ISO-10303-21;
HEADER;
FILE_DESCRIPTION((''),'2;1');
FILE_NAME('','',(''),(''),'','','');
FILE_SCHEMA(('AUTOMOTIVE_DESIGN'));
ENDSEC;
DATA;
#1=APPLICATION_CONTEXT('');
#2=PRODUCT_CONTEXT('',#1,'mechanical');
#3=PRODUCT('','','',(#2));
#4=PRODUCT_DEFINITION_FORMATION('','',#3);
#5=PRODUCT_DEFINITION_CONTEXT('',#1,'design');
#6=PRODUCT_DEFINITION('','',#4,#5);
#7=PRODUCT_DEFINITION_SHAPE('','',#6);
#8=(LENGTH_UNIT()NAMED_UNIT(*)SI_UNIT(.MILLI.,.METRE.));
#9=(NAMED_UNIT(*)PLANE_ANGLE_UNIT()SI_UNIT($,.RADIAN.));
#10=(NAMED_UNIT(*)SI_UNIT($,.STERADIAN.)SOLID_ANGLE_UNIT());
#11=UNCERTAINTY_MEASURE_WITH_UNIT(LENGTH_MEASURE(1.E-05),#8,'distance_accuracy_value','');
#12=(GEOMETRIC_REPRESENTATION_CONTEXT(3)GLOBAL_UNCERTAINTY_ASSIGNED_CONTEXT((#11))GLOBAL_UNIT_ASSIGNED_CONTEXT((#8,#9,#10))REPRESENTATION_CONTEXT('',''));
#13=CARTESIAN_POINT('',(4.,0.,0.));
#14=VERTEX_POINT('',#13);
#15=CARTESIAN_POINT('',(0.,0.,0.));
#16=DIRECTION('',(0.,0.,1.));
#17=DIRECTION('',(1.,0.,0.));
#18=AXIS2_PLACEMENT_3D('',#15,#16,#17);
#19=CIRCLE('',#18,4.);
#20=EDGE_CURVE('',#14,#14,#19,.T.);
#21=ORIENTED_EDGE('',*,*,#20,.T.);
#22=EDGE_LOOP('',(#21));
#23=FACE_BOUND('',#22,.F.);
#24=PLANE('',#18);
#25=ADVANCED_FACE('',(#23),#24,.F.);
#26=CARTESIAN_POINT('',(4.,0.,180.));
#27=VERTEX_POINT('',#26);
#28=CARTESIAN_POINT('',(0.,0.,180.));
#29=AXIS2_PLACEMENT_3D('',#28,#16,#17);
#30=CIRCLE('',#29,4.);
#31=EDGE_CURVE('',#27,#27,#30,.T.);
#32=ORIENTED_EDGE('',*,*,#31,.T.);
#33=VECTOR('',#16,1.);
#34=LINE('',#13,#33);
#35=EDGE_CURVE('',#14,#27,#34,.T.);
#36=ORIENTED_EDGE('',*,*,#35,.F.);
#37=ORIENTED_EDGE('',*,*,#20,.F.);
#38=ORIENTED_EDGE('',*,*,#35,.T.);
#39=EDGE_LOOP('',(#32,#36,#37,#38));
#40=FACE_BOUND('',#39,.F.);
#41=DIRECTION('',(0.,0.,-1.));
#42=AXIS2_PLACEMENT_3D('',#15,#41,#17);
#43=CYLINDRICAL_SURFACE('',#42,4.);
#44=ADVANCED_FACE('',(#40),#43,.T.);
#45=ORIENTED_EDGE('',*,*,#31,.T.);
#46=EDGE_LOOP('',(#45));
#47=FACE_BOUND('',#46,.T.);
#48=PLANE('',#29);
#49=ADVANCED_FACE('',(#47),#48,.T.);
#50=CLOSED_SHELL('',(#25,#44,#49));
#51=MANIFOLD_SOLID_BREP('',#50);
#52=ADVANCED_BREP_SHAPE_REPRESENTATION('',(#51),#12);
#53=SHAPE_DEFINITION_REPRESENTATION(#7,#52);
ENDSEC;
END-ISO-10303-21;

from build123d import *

# Parameters (mm, degrees)
SKETCH2_R           = 4
BOSS_EXTRUDE1_DEPTH = 180


with BuildPart() as part:
    # Sketch2 → Boss-Extrude1 (new body)
    with BuildSketch(Plane.XY):
        Circle(SKETCH2_R)
    extrude(amount=BOSS_EXTRUDE1_DEPTH)


solid = part.part
